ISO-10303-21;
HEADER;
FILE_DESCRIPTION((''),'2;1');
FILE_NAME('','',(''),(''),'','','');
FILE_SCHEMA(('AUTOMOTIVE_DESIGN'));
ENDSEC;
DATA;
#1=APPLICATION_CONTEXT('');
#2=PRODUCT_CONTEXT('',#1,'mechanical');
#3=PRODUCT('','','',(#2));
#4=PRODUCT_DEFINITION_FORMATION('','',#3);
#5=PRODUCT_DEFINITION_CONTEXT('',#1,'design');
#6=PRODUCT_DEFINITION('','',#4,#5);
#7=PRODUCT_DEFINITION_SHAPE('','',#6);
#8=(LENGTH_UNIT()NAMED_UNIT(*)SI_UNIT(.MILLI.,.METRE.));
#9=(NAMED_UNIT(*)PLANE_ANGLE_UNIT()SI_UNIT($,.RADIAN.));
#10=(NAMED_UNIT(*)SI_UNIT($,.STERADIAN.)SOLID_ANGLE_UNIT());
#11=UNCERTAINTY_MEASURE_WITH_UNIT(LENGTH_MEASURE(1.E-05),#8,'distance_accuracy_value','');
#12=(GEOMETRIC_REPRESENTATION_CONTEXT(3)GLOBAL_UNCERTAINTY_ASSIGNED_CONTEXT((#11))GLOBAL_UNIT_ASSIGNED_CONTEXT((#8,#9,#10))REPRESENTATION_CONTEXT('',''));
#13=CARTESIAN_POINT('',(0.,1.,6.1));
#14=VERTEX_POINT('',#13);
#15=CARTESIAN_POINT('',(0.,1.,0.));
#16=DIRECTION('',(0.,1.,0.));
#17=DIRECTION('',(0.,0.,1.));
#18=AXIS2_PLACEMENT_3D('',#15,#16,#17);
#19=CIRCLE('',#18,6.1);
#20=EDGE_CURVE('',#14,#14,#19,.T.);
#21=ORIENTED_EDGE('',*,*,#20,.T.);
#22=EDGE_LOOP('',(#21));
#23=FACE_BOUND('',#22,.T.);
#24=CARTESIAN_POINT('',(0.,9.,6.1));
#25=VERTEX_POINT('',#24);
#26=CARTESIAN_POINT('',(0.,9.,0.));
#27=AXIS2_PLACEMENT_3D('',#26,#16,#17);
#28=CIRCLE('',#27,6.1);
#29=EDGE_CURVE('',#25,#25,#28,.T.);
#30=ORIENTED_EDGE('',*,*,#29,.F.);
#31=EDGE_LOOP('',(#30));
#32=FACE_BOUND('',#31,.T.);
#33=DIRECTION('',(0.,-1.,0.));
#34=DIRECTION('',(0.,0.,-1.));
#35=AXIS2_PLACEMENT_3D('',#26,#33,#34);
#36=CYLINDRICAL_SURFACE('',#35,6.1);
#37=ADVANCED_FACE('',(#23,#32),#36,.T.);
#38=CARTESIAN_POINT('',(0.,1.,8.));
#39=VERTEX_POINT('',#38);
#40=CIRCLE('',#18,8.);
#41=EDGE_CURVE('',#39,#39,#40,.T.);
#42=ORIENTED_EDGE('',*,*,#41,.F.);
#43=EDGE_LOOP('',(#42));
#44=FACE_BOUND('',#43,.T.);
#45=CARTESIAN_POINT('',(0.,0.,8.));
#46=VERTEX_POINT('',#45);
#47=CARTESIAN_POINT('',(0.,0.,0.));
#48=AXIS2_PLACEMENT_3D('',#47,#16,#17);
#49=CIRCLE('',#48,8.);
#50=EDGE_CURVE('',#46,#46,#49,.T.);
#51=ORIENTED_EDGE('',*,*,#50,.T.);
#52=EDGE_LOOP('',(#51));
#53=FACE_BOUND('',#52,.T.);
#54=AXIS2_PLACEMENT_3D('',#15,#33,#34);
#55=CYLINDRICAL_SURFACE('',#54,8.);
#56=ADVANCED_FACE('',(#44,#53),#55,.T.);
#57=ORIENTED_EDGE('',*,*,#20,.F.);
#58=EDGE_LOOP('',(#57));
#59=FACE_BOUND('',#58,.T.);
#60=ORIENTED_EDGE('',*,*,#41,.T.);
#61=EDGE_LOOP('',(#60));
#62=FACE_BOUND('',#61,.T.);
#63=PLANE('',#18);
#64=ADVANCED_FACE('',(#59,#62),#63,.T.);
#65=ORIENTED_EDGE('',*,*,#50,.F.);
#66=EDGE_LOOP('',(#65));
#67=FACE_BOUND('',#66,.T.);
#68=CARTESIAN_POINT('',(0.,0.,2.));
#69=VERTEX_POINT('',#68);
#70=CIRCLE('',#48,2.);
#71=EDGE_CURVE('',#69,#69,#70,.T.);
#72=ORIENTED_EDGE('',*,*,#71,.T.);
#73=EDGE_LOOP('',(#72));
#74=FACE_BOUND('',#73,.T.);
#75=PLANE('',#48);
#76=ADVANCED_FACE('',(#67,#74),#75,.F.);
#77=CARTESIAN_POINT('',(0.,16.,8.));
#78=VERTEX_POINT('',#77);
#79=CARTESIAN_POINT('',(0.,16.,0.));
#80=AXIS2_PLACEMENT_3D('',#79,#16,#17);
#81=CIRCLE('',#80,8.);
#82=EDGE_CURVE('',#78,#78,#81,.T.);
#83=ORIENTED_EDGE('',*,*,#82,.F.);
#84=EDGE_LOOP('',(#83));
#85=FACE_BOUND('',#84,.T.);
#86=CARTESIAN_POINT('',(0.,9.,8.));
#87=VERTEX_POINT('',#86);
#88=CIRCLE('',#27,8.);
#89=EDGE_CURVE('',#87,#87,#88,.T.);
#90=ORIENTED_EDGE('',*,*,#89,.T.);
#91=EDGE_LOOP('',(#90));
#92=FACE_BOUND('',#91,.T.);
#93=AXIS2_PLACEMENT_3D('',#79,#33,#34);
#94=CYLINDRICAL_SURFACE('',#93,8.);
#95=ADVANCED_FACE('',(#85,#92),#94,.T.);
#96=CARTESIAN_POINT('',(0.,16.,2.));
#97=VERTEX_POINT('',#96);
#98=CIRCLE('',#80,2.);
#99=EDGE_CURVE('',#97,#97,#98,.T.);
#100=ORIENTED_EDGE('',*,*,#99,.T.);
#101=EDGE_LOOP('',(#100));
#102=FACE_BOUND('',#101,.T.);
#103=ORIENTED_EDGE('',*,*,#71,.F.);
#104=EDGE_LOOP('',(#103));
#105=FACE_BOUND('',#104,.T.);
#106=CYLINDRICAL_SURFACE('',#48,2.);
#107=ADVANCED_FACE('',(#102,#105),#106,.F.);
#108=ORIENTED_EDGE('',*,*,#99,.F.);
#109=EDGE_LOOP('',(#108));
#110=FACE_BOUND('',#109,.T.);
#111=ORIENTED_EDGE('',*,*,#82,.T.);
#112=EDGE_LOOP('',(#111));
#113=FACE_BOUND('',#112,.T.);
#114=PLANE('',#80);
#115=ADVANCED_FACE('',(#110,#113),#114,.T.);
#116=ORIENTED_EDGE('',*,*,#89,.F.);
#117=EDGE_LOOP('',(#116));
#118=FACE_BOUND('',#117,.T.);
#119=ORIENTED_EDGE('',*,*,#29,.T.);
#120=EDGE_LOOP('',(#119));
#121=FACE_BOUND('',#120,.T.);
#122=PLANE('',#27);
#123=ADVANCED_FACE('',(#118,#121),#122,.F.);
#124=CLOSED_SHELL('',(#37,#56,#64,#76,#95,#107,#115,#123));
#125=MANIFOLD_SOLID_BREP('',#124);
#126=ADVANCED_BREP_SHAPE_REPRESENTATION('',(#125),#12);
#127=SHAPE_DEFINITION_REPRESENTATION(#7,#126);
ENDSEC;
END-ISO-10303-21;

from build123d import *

# Parameters (mm, degrees)
ESQUISSE1_R      = 8
EXTRUSION1_DEPTH = 1
ESQUISSE2_R      = 6.1
EXTRUSION2_DEPTH = 8
ESQUISSE3_R      = 8
EXTRUSION3_DEPTH = 7
ESQUISSE4_R      = 2
EXTRUSION4_DEPTH = 20.595917942


with BuildPart() as part:
    # Esquisse1 → Extrusion1 (new body)
    with BuildSketch(Plane(origin=(0, 0, 0), x_dir=(1, 0, 0), z_dir=(0, 1, 0))):
        with Locations(Location((0, 0, 0), (0, 0, 270))):
            Circle(ESQUISSE1_R)
    extrude(amount=EXTRUSION1_DEPTH)

    # Esquisse2 → Extrusion2 (add)
    with BuildSketch(Plane(origin=(0, 1, 0), x_dir=(-1, 0, 0), z_dir=(0, 1, 0))):
        with Locations(Location((0, 0, 0), (0, 0, 90))):
            Circle(ESQUISSE2_R)
    extrude(amount=EXTRUSION2_DEPTH)

    # Esquisse3 → Extrusion3 (add)
    with BuildSketch(Plane(origin=(0, 9, 0), x_dir=(-1, 0, 0), z_dir=(0, 1, 0))):
        with Locations(Location((0, 0, 0), (0, 0, 90))):
            Circle(ESQUISSE3_R)
    extrude(amount=EXTRUSION3_DEPTH)

    # Esquisse4 → Extrusion4 (cut, through all)
    with BuildSketch(Plane(origin=(0, 16, 0), x_dir=(-1, 0, 0), z_dir=(0, 1, 0))):
        with Locations(Location((0, 0, 0), (0, 0, 90))):
            Circle(ESQUISSE4_R)
    extrude(amount=-EXTRUSION4_DEPTH, mode=Mode.SUBTRACT)


solid = part.part
